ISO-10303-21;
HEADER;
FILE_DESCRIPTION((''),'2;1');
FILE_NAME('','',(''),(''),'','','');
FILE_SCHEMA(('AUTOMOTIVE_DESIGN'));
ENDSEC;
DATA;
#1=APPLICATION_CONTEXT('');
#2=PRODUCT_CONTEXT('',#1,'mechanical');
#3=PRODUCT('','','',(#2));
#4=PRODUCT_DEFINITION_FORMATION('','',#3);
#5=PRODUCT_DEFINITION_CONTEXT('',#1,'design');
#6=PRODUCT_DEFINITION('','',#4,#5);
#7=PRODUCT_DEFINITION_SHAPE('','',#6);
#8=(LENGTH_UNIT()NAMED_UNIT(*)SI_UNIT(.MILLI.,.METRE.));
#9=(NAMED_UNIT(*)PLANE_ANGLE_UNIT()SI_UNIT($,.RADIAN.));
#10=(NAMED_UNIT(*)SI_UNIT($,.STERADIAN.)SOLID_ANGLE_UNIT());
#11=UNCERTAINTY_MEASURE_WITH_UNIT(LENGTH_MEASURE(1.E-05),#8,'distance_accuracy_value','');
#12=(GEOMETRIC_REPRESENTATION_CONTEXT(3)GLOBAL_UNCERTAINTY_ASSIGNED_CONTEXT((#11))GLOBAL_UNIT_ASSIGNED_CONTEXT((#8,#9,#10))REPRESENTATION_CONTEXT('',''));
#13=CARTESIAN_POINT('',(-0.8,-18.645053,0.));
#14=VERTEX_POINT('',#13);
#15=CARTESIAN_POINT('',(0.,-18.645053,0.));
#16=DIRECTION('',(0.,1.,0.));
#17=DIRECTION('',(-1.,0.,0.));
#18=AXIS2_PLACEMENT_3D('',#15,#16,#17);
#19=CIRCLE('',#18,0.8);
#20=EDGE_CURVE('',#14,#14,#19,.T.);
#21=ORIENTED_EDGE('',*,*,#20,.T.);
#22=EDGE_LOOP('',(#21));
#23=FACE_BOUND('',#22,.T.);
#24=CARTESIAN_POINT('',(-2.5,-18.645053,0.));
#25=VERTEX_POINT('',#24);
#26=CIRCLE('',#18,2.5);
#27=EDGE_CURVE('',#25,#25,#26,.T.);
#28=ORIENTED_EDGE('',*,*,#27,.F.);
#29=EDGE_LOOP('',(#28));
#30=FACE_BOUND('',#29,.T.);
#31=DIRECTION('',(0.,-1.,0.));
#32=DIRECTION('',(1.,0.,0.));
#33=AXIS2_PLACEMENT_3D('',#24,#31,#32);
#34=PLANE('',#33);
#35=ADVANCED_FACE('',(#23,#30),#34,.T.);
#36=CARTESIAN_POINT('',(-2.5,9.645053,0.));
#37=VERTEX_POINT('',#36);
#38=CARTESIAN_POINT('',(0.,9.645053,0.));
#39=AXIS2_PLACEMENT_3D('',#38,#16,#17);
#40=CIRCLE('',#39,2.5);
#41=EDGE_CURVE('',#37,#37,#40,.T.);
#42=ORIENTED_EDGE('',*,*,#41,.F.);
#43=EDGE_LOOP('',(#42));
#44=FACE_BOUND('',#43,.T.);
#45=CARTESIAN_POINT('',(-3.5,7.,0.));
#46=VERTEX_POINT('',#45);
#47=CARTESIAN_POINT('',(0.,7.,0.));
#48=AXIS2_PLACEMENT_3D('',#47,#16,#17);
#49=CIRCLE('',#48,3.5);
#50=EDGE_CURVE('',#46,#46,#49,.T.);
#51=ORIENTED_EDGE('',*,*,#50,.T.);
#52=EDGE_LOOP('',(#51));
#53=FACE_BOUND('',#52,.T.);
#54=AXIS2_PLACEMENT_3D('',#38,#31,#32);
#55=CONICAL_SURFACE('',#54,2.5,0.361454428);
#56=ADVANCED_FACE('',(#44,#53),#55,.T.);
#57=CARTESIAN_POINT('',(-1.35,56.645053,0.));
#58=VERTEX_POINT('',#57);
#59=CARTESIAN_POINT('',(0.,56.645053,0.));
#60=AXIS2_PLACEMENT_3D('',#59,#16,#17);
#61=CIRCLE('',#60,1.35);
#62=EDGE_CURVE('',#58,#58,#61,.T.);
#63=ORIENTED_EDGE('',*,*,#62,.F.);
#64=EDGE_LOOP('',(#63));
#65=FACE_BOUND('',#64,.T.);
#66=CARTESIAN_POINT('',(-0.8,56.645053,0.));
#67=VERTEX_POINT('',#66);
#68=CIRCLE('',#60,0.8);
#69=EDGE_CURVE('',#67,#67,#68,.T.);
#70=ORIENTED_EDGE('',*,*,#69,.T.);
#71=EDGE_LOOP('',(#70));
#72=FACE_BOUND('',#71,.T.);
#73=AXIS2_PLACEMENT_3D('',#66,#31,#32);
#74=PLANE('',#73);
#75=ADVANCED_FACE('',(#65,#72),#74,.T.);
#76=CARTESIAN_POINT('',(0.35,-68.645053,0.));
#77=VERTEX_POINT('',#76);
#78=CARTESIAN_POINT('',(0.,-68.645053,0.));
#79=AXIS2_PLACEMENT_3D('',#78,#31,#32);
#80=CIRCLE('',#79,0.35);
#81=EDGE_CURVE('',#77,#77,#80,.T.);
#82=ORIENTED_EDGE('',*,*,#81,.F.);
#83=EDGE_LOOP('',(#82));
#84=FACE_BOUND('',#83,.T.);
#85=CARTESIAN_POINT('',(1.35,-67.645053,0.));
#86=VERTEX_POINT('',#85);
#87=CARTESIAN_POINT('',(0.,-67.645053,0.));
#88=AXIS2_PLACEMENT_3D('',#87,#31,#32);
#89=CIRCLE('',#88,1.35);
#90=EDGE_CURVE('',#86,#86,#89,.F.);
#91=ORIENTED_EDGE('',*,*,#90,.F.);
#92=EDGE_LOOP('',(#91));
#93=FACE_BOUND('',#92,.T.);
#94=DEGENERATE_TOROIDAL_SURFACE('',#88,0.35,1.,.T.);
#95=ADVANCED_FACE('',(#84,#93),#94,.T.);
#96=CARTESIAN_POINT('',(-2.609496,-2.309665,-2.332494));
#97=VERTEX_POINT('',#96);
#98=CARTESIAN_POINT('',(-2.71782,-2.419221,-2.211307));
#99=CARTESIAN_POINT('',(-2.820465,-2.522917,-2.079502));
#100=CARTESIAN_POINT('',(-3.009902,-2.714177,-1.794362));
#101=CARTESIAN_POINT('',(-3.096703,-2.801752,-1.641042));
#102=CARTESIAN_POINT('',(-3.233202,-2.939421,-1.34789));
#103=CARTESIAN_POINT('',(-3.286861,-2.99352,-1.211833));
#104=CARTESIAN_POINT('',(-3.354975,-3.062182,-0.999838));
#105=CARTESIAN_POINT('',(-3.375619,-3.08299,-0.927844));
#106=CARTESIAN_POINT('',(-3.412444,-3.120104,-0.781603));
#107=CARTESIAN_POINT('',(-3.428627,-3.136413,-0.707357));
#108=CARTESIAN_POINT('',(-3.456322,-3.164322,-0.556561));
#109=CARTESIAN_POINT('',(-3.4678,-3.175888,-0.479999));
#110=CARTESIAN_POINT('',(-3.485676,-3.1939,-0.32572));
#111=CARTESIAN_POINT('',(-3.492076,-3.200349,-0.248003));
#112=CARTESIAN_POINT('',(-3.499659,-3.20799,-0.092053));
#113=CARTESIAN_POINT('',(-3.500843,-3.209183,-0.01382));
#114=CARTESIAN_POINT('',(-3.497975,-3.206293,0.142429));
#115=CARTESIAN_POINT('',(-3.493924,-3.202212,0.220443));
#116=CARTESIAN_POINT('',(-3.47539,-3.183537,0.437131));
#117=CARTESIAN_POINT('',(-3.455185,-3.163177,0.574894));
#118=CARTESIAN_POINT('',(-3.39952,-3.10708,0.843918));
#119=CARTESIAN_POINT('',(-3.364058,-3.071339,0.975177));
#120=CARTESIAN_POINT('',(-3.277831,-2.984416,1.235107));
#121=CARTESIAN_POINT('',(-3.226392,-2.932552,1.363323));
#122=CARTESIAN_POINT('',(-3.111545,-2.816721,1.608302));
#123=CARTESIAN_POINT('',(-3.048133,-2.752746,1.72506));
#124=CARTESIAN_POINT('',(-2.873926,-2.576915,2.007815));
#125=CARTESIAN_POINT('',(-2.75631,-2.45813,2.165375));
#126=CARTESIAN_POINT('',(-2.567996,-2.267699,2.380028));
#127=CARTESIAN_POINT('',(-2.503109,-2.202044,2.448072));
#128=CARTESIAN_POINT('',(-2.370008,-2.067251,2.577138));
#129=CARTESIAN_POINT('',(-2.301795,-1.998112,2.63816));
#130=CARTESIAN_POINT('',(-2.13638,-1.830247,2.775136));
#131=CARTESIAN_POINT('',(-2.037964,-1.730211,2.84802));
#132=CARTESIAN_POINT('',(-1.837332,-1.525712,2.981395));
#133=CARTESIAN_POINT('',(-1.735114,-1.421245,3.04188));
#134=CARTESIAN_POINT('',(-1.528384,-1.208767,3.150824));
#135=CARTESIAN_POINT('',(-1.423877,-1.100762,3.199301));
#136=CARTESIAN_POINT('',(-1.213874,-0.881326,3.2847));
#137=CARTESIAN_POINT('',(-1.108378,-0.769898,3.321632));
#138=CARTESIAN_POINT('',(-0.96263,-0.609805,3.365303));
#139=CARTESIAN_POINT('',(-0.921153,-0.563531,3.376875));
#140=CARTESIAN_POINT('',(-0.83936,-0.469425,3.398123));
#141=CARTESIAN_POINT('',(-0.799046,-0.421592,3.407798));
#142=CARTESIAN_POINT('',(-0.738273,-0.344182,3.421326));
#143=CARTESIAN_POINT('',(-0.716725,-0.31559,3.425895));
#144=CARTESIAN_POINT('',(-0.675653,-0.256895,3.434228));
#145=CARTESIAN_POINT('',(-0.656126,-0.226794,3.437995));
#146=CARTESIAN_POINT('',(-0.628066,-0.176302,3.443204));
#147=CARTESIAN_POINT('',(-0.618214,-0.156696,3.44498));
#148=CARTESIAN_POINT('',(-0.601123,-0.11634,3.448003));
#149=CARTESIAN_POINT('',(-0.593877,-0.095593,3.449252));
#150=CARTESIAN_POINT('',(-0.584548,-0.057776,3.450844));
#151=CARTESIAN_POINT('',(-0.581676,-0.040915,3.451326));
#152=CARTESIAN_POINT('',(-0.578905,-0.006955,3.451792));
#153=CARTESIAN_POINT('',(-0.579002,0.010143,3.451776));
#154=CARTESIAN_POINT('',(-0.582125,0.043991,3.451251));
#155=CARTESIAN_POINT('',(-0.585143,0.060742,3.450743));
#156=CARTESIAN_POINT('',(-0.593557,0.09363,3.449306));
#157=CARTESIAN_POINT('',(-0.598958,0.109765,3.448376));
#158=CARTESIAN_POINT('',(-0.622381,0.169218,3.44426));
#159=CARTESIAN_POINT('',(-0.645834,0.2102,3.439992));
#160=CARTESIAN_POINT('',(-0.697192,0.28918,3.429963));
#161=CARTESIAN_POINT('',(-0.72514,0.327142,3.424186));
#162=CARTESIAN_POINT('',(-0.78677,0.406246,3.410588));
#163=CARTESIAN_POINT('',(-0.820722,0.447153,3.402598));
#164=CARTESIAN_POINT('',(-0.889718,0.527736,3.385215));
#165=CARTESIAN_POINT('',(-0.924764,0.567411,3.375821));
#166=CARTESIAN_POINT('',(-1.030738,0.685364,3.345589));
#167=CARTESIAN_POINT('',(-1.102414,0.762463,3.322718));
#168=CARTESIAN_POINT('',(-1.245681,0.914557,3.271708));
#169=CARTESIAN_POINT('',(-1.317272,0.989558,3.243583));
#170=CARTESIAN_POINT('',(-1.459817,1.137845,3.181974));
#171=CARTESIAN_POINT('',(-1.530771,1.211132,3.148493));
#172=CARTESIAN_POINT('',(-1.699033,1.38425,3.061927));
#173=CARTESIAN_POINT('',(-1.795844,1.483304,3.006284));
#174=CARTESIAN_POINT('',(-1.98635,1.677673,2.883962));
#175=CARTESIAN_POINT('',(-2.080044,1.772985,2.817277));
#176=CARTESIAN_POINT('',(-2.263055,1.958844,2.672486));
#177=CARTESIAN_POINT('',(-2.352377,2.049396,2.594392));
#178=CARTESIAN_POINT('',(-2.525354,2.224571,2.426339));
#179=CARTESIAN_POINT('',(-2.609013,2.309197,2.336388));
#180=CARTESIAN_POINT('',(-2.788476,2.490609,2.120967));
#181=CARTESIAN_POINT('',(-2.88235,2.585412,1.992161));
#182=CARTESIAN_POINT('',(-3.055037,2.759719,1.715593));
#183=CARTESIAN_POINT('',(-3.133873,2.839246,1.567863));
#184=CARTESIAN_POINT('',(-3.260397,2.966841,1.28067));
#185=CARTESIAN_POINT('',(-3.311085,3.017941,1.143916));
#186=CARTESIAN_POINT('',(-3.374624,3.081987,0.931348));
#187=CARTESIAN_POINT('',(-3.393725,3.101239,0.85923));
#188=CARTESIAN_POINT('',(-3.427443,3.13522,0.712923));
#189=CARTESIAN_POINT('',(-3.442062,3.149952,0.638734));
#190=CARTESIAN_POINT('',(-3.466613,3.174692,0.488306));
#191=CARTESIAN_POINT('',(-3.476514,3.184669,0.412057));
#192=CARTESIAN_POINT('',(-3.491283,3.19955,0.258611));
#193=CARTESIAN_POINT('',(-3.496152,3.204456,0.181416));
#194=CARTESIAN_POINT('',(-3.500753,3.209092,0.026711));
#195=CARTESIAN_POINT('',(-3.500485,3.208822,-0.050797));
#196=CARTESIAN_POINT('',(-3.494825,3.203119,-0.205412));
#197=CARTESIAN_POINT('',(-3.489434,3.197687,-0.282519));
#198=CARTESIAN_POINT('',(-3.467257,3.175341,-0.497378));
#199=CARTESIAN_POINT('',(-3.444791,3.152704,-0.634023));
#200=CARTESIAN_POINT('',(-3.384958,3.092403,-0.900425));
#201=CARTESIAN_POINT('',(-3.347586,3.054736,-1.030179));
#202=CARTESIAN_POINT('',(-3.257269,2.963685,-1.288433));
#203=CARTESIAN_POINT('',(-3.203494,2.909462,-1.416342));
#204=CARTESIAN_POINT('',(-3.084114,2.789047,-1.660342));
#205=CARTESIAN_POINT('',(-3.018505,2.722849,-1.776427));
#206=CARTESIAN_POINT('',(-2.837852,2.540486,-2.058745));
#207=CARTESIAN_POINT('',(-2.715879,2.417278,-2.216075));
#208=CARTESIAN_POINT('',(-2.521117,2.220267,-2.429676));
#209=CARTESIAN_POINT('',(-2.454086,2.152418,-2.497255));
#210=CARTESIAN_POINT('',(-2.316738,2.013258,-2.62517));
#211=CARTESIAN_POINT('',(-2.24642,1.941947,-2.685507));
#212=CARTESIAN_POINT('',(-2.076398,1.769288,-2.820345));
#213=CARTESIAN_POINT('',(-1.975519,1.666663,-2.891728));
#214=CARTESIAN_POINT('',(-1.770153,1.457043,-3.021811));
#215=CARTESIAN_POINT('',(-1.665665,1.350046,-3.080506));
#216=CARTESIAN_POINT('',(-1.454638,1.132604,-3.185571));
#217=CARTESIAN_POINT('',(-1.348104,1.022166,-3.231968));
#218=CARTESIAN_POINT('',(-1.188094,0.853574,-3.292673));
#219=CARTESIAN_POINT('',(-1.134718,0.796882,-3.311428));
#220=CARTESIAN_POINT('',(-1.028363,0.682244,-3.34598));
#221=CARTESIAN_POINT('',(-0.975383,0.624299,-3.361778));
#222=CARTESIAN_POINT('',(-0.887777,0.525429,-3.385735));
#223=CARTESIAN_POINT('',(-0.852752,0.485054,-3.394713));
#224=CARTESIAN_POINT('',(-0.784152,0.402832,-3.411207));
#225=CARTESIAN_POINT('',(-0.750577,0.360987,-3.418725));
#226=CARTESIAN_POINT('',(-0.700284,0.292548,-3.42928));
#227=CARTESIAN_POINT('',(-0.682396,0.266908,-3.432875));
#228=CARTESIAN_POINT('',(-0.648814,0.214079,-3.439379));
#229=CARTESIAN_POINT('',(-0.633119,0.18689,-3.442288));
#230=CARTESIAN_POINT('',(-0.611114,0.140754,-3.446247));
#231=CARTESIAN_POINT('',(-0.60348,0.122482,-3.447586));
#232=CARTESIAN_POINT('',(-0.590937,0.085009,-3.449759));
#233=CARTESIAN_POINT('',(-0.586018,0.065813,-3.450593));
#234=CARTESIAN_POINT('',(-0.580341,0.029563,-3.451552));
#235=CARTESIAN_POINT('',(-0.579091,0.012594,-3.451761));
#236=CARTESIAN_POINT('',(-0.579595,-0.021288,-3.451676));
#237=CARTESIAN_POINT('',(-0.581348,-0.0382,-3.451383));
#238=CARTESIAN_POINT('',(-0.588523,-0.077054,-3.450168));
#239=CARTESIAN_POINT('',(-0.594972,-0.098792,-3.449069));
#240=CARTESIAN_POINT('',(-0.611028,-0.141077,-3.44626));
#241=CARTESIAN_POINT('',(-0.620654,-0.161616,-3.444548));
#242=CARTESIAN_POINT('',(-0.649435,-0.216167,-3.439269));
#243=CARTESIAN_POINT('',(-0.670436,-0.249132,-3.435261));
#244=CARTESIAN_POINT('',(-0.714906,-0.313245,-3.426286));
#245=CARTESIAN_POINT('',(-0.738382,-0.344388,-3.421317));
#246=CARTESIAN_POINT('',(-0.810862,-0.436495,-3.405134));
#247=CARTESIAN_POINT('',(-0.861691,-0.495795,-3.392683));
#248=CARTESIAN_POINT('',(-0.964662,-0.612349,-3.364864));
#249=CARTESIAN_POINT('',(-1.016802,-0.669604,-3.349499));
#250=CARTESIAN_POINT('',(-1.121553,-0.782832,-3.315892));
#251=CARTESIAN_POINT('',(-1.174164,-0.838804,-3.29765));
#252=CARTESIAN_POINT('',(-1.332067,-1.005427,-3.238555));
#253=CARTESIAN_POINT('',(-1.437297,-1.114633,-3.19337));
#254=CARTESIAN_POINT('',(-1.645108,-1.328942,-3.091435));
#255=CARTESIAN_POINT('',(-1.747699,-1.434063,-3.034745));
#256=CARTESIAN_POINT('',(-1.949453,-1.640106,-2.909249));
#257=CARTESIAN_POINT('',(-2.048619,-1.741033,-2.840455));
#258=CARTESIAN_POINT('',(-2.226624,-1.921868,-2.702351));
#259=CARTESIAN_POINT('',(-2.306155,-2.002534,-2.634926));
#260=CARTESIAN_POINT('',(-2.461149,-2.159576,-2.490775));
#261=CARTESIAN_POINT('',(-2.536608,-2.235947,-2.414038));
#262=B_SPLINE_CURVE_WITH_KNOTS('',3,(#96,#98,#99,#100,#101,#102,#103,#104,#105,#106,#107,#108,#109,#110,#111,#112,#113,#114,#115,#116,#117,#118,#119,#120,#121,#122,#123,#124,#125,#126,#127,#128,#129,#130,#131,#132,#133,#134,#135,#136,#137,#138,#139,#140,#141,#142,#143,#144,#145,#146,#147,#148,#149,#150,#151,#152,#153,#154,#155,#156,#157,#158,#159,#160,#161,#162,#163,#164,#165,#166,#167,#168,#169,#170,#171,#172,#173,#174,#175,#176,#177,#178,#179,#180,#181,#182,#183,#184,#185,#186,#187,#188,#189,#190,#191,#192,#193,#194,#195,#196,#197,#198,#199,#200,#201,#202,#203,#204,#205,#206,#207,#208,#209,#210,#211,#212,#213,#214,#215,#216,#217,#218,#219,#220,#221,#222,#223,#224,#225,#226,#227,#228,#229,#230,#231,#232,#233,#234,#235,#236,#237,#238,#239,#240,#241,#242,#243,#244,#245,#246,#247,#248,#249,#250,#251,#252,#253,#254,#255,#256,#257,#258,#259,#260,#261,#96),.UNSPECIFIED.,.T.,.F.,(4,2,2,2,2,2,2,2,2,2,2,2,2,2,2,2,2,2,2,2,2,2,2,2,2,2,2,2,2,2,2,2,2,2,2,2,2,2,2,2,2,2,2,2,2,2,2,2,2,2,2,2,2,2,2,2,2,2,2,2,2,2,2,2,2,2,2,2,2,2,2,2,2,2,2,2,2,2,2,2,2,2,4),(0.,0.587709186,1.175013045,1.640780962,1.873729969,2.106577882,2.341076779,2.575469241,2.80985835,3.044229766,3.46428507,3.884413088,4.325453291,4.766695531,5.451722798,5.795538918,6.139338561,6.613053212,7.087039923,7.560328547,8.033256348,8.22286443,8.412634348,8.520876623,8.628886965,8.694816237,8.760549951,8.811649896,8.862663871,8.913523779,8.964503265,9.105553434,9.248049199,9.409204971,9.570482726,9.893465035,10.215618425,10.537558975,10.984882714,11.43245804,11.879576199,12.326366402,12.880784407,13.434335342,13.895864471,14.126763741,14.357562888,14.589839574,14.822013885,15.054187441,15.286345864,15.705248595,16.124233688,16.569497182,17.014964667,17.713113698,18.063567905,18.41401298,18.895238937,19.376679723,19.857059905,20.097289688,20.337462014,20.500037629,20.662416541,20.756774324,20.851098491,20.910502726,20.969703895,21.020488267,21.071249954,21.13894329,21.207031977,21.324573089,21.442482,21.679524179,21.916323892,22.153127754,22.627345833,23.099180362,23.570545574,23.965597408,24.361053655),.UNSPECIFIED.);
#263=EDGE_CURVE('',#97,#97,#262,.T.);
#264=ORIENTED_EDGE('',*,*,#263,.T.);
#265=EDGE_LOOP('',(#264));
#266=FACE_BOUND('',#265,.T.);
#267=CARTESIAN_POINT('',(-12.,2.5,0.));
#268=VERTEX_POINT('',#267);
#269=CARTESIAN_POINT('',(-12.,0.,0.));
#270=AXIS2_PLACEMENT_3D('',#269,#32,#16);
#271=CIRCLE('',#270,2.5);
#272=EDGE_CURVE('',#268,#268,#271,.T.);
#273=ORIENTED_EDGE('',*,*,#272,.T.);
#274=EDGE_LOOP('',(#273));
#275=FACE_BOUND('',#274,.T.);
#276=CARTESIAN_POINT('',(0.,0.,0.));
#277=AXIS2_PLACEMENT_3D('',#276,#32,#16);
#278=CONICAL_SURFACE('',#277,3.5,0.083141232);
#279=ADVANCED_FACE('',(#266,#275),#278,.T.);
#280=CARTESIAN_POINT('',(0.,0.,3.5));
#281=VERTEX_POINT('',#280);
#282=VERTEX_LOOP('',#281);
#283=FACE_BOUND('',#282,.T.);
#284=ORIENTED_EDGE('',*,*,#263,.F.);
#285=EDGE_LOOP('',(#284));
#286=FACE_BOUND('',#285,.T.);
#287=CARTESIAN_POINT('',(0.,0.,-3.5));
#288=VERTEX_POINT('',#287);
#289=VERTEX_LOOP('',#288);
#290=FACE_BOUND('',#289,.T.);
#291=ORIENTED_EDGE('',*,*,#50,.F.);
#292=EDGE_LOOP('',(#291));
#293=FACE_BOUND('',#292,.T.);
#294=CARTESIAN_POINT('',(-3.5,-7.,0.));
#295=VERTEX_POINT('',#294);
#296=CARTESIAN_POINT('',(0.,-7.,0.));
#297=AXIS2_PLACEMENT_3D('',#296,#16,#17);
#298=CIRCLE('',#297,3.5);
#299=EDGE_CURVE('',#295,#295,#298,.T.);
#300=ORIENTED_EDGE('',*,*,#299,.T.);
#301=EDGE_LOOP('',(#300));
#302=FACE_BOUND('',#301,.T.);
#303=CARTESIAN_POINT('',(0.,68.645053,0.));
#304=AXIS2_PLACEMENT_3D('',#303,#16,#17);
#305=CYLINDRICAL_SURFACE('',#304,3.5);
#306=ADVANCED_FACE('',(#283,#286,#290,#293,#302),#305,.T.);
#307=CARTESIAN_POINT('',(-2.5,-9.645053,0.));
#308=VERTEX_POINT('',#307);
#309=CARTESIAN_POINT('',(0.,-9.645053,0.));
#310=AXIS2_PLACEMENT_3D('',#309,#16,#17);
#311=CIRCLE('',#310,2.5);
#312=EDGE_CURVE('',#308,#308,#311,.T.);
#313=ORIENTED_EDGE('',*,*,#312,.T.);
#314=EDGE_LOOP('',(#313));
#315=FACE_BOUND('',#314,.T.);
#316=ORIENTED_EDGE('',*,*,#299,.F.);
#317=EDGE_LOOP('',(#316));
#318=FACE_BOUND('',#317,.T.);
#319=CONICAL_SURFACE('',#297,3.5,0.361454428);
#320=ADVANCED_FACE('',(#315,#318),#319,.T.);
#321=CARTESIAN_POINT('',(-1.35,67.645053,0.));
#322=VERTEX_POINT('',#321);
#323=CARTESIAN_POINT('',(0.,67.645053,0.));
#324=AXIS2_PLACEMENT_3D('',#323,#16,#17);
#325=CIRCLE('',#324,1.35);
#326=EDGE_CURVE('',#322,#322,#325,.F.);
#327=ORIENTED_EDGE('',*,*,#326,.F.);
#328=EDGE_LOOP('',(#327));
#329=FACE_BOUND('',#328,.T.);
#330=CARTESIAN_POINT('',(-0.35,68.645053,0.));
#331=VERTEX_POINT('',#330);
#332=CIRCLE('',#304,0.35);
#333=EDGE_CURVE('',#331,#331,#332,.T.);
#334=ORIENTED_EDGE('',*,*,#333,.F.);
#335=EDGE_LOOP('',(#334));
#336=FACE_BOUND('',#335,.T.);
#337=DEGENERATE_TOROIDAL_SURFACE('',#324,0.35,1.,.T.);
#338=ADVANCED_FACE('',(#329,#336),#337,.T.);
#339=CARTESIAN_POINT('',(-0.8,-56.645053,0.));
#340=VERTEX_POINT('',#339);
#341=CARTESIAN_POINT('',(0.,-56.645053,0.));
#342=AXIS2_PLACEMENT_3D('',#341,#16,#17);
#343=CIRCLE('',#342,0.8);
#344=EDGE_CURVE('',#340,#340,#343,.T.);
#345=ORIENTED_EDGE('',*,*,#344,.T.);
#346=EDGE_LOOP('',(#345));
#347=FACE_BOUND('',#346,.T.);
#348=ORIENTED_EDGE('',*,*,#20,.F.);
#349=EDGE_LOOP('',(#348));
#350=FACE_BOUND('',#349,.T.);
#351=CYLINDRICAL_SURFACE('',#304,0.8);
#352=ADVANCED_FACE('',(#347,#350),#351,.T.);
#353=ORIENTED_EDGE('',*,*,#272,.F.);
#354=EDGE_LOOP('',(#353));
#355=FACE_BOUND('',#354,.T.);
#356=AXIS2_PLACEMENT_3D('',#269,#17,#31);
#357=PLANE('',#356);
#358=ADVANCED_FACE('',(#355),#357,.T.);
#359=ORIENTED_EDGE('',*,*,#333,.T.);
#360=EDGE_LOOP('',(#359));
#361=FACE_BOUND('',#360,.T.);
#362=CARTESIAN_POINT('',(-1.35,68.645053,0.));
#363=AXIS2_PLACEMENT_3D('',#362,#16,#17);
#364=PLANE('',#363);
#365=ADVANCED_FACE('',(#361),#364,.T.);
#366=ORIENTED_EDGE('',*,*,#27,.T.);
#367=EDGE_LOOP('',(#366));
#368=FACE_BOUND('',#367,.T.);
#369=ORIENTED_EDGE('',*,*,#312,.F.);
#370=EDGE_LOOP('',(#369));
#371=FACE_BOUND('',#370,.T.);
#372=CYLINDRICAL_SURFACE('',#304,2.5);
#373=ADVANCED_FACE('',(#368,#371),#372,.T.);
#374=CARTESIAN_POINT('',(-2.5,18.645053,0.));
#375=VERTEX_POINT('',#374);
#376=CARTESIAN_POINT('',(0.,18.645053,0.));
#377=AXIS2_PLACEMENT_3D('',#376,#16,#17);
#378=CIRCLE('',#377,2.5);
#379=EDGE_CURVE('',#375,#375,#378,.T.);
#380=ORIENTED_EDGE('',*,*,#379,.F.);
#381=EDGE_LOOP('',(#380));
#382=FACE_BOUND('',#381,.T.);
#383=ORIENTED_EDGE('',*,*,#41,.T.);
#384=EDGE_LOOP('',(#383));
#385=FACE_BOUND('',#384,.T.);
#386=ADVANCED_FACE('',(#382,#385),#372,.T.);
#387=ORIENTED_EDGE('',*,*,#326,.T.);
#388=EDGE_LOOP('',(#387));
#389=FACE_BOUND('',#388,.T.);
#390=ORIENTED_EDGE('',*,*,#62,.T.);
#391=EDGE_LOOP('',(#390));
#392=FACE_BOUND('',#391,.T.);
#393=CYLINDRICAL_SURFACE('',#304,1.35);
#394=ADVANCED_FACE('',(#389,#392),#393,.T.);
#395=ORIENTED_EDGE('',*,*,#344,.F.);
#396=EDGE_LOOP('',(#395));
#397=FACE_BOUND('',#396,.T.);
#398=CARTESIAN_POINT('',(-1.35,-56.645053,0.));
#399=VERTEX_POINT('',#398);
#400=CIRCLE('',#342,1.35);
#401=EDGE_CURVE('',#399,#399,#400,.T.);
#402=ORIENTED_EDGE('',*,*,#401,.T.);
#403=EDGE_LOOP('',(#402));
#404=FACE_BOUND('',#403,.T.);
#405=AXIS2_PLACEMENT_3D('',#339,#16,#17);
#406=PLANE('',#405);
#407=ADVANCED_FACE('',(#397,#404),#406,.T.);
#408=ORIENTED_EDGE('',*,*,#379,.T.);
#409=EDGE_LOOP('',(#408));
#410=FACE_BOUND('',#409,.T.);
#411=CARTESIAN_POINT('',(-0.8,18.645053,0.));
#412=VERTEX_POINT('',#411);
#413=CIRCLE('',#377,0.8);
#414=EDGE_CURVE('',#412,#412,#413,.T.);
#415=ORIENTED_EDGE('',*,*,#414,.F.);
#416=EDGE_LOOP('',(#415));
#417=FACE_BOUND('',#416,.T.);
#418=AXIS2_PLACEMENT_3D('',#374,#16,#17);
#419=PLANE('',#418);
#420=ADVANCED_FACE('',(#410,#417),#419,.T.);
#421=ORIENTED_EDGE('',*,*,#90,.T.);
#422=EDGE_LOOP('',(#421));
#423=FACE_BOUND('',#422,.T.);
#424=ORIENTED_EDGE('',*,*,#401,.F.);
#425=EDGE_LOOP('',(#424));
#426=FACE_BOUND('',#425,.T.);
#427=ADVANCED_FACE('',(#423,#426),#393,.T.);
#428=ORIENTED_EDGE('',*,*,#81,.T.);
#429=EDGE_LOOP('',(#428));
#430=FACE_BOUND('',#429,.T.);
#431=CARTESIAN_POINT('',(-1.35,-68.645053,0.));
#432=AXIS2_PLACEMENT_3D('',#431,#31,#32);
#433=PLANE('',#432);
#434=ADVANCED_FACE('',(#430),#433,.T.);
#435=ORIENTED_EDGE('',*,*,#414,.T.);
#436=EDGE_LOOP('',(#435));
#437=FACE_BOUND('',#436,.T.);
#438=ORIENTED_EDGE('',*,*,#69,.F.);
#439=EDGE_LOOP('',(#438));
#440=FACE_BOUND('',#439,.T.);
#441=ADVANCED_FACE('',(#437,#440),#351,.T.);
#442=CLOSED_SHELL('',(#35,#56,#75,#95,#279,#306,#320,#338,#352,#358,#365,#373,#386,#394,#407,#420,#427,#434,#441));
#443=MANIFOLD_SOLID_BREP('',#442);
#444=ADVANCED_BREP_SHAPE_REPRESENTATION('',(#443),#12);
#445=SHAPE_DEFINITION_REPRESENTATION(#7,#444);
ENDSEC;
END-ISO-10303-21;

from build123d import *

# Parameters (mm, degrees)
REDONDEO1_R = 1


with BuildPart() as part:
    # Croquis1 → Revolución1 (revolve)
    with BuildSketch(Plane.XY):
        Polygon((0, 7), (0, -7), (0, -10), (0, -68.645053037), (-1.35, -68.645053037), (-1.35, -56.645053037), (-0.8, -56.645053037), (-0.8, -18.645053037), (-2.5, -18.645053037), (-2.5, -9.645053037), (-3.5, -7), (-3.5, 7), (-2.5, 9.645053037), (-2.5, 18.645053037), (-0.8, 18.645053037), (-0.8, 56.645053037), (-1.35, 56.645053037), (-1.35, 68.645053037), (0, 68.645053037), (0, 10), align=None)
    revolve(axis=Axis((0, 68.645053037, 0), (0, -1, 0)))

    # Croquis2 → Revolución2 (revolve)
    with BuildSketch(Plane.XY):
        Polygon((0, 0), (0, 3.5), (-12, 2.5), (-12, 0), align=None)
    revolve(axis=Axis((0, 0, 0), (-1, 0, 0)))

    # Redondeo1
    redondeo1_edges = [part.edges().sort_by_distance(p)[0] for p in [
        (1.35, -68.645053037, 0),
        (1.35, 68.645053037, 0),
    ]]
    fillet(redondeo1_edges, radius=REDONDEO1_R)


solid = part.part
